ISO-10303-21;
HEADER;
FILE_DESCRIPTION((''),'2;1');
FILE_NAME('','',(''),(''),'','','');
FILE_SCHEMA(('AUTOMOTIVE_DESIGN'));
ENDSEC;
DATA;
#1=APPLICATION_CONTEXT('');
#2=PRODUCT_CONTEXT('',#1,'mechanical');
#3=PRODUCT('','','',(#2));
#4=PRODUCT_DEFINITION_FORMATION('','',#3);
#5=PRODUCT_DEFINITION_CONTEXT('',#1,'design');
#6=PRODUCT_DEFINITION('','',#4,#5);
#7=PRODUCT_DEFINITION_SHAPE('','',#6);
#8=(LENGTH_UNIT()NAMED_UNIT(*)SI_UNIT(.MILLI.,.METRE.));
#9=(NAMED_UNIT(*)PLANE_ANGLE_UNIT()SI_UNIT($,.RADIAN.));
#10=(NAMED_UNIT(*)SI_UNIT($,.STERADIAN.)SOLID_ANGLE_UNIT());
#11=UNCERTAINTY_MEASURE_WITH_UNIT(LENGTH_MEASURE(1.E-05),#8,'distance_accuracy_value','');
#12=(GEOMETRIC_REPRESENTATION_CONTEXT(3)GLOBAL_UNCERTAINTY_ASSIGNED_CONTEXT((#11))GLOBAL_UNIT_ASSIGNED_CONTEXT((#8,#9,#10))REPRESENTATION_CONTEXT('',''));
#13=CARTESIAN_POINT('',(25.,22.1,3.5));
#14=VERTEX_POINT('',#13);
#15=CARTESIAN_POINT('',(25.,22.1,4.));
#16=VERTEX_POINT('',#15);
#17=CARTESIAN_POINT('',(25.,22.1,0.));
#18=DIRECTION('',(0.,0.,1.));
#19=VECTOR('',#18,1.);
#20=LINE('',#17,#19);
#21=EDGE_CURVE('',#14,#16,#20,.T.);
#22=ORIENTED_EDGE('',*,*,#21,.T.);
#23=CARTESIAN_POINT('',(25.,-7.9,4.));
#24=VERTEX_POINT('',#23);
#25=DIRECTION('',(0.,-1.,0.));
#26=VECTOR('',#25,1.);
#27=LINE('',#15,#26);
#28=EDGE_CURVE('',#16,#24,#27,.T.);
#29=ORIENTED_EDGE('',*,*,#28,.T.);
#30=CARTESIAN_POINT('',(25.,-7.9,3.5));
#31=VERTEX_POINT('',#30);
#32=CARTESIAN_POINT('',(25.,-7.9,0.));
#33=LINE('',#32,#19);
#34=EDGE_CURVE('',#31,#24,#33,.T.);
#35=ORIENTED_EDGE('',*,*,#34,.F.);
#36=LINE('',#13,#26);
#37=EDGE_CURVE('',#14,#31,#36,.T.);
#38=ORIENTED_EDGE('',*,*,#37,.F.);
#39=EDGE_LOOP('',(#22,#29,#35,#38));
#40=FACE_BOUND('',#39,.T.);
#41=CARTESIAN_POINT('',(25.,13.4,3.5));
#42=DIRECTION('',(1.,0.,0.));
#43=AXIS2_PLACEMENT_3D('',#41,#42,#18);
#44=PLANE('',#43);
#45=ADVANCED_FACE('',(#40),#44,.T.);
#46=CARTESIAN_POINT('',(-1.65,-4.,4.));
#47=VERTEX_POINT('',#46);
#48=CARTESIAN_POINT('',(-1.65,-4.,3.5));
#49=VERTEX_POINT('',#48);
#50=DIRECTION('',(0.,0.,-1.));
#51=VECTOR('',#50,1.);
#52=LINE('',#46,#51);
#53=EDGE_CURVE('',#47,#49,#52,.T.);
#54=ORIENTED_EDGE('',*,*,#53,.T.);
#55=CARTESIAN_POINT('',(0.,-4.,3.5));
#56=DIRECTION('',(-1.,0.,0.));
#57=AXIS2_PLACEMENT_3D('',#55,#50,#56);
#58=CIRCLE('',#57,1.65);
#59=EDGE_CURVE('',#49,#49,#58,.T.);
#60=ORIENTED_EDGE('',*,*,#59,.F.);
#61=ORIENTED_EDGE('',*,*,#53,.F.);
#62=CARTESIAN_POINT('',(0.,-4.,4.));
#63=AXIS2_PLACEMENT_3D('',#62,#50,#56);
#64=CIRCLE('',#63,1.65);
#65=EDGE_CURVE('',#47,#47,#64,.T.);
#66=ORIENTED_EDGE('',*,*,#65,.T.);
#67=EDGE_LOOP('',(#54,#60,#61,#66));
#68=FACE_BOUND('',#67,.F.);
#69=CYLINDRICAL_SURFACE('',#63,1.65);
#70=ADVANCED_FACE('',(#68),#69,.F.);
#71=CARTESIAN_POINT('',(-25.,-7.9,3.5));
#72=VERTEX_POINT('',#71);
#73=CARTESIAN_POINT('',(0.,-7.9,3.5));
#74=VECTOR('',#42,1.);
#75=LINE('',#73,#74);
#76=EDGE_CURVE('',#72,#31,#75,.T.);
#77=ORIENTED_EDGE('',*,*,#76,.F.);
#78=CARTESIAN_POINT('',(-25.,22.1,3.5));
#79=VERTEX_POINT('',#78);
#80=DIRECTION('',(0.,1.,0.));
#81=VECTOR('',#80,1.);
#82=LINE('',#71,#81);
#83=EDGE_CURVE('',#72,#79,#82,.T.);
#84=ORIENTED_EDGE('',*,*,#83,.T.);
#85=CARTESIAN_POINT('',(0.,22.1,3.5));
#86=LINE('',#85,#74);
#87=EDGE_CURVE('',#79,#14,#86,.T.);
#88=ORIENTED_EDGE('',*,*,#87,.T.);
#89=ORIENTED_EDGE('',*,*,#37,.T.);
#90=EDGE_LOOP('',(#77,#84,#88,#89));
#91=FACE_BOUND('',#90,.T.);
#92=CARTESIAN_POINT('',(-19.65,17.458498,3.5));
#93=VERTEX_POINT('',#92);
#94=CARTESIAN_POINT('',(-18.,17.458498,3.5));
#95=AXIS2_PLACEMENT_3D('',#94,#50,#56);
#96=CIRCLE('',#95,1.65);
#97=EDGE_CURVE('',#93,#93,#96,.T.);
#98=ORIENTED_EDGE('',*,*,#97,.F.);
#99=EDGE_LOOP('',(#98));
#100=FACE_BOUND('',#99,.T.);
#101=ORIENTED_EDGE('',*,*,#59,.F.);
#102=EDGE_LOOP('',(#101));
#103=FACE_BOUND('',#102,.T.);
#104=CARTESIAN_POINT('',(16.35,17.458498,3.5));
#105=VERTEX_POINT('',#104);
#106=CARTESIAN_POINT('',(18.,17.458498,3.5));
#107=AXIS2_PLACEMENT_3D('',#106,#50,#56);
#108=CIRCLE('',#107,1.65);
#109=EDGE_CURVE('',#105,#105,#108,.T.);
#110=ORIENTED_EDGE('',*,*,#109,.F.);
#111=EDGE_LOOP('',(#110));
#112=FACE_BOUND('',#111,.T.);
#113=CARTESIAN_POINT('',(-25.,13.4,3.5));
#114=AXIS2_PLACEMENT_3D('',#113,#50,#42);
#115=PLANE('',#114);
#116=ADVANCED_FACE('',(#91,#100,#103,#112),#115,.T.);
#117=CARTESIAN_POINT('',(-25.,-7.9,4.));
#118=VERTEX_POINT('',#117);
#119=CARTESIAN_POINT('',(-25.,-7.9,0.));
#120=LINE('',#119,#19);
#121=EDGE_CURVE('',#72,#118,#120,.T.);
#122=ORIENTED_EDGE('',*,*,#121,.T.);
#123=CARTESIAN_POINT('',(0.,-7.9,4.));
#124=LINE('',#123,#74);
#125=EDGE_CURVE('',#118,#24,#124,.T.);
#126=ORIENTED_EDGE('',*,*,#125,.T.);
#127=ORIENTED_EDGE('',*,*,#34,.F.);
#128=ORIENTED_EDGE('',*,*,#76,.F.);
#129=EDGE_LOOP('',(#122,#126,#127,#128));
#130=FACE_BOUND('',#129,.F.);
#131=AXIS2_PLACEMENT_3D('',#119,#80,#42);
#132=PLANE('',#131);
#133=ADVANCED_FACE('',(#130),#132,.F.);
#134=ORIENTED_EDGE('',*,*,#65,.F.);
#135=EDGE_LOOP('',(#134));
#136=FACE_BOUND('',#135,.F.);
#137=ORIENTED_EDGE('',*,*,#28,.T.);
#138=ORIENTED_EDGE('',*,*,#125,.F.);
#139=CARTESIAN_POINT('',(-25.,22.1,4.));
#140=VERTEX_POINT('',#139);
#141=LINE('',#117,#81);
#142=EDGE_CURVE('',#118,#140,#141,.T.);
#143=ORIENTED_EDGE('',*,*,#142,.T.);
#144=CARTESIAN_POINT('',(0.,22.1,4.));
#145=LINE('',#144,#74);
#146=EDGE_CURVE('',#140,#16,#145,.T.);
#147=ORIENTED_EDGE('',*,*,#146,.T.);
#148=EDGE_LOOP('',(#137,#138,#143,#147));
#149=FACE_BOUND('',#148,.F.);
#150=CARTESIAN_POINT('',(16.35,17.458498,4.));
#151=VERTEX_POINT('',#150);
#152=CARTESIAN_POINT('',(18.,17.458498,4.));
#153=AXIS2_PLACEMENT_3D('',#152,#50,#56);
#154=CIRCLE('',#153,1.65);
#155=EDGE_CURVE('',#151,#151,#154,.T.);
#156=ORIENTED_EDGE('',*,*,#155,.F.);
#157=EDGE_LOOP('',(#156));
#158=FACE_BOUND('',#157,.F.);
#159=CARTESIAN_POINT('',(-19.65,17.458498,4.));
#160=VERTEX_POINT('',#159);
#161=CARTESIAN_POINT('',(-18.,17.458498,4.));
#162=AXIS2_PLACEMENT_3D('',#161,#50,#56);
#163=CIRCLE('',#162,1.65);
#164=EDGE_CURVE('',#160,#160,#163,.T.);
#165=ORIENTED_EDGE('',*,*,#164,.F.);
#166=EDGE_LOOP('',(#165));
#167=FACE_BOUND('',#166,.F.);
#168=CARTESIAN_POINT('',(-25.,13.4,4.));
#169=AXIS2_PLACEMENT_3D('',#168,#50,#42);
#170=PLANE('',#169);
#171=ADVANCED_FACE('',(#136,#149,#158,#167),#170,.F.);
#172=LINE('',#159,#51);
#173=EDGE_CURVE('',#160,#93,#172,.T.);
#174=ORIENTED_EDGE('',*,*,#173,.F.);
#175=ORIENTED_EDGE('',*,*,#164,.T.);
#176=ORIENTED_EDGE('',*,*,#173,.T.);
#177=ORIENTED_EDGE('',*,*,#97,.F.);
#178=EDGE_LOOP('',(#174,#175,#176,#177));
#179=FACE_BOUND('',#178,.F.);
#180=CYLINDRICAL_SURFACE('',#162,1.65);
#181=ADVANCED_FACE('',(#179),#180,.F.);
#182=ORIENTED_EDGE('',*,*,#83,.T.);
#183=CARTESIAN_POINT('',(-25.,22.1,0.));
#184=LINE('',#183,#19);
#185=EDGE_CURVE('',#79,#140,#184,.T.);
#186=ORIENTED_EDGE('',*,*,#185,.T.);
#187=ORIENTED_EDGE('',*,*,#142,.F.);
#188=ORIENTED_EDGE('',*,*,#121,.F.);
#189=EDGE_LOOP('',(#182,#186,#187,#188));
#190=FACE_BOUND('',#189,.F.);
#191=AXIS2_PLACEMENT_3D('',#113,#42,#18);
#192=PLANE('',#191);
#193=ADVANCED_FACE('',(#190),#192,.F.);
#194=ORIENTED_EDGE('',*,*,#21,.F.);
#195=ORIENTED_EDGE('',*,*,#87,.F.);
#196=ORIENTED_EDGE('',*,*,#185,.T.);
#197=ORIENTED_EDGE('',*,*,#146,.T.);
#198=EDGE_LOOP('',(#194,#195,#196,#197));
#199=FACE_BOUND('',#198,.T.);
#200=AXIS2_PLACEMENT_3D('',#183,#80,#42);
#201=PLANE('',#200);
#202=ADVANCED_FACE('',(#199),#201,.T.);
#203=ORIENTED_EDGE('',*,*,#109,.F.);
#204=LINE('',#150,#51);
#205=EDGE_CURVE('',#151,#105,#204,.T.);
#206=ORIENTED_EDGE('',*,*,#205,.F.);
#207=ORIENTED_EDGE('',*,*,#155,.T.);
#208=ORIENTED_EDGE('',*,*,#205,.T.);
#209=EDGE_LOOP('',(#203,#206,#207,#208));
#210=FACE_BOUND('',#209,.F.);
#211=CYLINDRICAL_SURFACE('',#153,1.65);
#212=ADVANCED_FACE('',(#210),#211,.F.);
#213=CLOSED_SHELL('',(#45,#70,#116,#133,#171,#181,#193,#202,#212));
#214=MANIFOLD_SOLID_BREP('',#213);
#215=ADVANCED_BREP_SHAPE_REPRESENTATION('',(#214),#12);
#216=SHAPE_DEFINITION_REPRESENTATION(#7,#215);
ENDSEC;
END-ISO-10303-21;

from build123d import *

# Parameters (mm, degrees)
F0_W            = 50
F0_H            = 8
F1_DEPTH        = 4
F3_DEPTH        = 5
F4_DEPTH        = 5
F5_D            = 3.3
F5_CBORE_D      = 6.5
F5_CBORE_DEPTH  = 0
F6_DEPTH        = 1.1
F7_DEPTH        = 4.4
F8_DEPTH        = 3.5
F9_DEPTH        = 8.7
F11_D           = 3.3
F11_CBORE_D     = 6.5
F11_CBORE_DEPTH = 0


with BuildPart() as f1:
    # F0 (on Top) → F1 (new body)
    with BuildSketch(Plane.XY):
        Rectangle(F0_W, F0_H)
    extrude(amount=F1_DEPTH)

    # F3 (add): a face of the model
    f3_faces = [f1.faces().sort_by_distance(p)[0] for p in [
        (0, -4, 2),
    ]]
    extrude(f3_faces, amount=F3_DEPTH)

    # F4 (add): a face of the model
    f4_faces = [f1.faces().sort_by_distance(p)[0] for p in [
        (0, 4, 2),
    ]]
    extrude(f4_faces, amount=F4_DEPTH)

    # F5 (through all)
    with Locations(Plane.XY.offset(4)):
        with Locations((0, -4)):
            CounterBoreHole(F5_D / 2, F5_CBORE_D / 2, F5_CBORE_DEPTH)

    # F6 (cut): a face of the model
    f6_faces = [f1.faces().sort_by_distance(p)[0] for p in [
        (0, -9, 2),
    ]]
    extrude(f6_faces, amount=-F6_DEPTH, mode=Mode.SUBTRACT)

    # F7 (add): a face of the model
    f7_faces = [f1.faces().sort_by_distance(p)[0] for p in [
        (0, 9, 2),
    ]]
    extrude(f7_faces, amount=F7_DEPTH)

    # F8 (cut): a face of the model
    f8_faces = [f1.faces().sort_by_distance(p)[0] for p in [
        (0, 2.8046479423, 0),
    ]]
    extrude(f8_faces, amount=-F8_DEPTH, mode=Mode.SUBTRACT)

    # F9 (add): a face of the model
    f9_faces = [f1.faces().sort_by_distance(p)[0] for p in [
        (0, 13.4, 3.75),
    ]]
    extrude(f9_faces, amount=F9_DEPTH)

    # F11 (through all)
    with Locations(Plane.XY.offset(4)):
        with Locations((-18, 17.4584981568), (18, 17.4584981568)):
            CounterBoreHole(F11_D / 2, F11_CBORE_D / 2, F11_CBORE_DEPTH)


solid = f1.part
